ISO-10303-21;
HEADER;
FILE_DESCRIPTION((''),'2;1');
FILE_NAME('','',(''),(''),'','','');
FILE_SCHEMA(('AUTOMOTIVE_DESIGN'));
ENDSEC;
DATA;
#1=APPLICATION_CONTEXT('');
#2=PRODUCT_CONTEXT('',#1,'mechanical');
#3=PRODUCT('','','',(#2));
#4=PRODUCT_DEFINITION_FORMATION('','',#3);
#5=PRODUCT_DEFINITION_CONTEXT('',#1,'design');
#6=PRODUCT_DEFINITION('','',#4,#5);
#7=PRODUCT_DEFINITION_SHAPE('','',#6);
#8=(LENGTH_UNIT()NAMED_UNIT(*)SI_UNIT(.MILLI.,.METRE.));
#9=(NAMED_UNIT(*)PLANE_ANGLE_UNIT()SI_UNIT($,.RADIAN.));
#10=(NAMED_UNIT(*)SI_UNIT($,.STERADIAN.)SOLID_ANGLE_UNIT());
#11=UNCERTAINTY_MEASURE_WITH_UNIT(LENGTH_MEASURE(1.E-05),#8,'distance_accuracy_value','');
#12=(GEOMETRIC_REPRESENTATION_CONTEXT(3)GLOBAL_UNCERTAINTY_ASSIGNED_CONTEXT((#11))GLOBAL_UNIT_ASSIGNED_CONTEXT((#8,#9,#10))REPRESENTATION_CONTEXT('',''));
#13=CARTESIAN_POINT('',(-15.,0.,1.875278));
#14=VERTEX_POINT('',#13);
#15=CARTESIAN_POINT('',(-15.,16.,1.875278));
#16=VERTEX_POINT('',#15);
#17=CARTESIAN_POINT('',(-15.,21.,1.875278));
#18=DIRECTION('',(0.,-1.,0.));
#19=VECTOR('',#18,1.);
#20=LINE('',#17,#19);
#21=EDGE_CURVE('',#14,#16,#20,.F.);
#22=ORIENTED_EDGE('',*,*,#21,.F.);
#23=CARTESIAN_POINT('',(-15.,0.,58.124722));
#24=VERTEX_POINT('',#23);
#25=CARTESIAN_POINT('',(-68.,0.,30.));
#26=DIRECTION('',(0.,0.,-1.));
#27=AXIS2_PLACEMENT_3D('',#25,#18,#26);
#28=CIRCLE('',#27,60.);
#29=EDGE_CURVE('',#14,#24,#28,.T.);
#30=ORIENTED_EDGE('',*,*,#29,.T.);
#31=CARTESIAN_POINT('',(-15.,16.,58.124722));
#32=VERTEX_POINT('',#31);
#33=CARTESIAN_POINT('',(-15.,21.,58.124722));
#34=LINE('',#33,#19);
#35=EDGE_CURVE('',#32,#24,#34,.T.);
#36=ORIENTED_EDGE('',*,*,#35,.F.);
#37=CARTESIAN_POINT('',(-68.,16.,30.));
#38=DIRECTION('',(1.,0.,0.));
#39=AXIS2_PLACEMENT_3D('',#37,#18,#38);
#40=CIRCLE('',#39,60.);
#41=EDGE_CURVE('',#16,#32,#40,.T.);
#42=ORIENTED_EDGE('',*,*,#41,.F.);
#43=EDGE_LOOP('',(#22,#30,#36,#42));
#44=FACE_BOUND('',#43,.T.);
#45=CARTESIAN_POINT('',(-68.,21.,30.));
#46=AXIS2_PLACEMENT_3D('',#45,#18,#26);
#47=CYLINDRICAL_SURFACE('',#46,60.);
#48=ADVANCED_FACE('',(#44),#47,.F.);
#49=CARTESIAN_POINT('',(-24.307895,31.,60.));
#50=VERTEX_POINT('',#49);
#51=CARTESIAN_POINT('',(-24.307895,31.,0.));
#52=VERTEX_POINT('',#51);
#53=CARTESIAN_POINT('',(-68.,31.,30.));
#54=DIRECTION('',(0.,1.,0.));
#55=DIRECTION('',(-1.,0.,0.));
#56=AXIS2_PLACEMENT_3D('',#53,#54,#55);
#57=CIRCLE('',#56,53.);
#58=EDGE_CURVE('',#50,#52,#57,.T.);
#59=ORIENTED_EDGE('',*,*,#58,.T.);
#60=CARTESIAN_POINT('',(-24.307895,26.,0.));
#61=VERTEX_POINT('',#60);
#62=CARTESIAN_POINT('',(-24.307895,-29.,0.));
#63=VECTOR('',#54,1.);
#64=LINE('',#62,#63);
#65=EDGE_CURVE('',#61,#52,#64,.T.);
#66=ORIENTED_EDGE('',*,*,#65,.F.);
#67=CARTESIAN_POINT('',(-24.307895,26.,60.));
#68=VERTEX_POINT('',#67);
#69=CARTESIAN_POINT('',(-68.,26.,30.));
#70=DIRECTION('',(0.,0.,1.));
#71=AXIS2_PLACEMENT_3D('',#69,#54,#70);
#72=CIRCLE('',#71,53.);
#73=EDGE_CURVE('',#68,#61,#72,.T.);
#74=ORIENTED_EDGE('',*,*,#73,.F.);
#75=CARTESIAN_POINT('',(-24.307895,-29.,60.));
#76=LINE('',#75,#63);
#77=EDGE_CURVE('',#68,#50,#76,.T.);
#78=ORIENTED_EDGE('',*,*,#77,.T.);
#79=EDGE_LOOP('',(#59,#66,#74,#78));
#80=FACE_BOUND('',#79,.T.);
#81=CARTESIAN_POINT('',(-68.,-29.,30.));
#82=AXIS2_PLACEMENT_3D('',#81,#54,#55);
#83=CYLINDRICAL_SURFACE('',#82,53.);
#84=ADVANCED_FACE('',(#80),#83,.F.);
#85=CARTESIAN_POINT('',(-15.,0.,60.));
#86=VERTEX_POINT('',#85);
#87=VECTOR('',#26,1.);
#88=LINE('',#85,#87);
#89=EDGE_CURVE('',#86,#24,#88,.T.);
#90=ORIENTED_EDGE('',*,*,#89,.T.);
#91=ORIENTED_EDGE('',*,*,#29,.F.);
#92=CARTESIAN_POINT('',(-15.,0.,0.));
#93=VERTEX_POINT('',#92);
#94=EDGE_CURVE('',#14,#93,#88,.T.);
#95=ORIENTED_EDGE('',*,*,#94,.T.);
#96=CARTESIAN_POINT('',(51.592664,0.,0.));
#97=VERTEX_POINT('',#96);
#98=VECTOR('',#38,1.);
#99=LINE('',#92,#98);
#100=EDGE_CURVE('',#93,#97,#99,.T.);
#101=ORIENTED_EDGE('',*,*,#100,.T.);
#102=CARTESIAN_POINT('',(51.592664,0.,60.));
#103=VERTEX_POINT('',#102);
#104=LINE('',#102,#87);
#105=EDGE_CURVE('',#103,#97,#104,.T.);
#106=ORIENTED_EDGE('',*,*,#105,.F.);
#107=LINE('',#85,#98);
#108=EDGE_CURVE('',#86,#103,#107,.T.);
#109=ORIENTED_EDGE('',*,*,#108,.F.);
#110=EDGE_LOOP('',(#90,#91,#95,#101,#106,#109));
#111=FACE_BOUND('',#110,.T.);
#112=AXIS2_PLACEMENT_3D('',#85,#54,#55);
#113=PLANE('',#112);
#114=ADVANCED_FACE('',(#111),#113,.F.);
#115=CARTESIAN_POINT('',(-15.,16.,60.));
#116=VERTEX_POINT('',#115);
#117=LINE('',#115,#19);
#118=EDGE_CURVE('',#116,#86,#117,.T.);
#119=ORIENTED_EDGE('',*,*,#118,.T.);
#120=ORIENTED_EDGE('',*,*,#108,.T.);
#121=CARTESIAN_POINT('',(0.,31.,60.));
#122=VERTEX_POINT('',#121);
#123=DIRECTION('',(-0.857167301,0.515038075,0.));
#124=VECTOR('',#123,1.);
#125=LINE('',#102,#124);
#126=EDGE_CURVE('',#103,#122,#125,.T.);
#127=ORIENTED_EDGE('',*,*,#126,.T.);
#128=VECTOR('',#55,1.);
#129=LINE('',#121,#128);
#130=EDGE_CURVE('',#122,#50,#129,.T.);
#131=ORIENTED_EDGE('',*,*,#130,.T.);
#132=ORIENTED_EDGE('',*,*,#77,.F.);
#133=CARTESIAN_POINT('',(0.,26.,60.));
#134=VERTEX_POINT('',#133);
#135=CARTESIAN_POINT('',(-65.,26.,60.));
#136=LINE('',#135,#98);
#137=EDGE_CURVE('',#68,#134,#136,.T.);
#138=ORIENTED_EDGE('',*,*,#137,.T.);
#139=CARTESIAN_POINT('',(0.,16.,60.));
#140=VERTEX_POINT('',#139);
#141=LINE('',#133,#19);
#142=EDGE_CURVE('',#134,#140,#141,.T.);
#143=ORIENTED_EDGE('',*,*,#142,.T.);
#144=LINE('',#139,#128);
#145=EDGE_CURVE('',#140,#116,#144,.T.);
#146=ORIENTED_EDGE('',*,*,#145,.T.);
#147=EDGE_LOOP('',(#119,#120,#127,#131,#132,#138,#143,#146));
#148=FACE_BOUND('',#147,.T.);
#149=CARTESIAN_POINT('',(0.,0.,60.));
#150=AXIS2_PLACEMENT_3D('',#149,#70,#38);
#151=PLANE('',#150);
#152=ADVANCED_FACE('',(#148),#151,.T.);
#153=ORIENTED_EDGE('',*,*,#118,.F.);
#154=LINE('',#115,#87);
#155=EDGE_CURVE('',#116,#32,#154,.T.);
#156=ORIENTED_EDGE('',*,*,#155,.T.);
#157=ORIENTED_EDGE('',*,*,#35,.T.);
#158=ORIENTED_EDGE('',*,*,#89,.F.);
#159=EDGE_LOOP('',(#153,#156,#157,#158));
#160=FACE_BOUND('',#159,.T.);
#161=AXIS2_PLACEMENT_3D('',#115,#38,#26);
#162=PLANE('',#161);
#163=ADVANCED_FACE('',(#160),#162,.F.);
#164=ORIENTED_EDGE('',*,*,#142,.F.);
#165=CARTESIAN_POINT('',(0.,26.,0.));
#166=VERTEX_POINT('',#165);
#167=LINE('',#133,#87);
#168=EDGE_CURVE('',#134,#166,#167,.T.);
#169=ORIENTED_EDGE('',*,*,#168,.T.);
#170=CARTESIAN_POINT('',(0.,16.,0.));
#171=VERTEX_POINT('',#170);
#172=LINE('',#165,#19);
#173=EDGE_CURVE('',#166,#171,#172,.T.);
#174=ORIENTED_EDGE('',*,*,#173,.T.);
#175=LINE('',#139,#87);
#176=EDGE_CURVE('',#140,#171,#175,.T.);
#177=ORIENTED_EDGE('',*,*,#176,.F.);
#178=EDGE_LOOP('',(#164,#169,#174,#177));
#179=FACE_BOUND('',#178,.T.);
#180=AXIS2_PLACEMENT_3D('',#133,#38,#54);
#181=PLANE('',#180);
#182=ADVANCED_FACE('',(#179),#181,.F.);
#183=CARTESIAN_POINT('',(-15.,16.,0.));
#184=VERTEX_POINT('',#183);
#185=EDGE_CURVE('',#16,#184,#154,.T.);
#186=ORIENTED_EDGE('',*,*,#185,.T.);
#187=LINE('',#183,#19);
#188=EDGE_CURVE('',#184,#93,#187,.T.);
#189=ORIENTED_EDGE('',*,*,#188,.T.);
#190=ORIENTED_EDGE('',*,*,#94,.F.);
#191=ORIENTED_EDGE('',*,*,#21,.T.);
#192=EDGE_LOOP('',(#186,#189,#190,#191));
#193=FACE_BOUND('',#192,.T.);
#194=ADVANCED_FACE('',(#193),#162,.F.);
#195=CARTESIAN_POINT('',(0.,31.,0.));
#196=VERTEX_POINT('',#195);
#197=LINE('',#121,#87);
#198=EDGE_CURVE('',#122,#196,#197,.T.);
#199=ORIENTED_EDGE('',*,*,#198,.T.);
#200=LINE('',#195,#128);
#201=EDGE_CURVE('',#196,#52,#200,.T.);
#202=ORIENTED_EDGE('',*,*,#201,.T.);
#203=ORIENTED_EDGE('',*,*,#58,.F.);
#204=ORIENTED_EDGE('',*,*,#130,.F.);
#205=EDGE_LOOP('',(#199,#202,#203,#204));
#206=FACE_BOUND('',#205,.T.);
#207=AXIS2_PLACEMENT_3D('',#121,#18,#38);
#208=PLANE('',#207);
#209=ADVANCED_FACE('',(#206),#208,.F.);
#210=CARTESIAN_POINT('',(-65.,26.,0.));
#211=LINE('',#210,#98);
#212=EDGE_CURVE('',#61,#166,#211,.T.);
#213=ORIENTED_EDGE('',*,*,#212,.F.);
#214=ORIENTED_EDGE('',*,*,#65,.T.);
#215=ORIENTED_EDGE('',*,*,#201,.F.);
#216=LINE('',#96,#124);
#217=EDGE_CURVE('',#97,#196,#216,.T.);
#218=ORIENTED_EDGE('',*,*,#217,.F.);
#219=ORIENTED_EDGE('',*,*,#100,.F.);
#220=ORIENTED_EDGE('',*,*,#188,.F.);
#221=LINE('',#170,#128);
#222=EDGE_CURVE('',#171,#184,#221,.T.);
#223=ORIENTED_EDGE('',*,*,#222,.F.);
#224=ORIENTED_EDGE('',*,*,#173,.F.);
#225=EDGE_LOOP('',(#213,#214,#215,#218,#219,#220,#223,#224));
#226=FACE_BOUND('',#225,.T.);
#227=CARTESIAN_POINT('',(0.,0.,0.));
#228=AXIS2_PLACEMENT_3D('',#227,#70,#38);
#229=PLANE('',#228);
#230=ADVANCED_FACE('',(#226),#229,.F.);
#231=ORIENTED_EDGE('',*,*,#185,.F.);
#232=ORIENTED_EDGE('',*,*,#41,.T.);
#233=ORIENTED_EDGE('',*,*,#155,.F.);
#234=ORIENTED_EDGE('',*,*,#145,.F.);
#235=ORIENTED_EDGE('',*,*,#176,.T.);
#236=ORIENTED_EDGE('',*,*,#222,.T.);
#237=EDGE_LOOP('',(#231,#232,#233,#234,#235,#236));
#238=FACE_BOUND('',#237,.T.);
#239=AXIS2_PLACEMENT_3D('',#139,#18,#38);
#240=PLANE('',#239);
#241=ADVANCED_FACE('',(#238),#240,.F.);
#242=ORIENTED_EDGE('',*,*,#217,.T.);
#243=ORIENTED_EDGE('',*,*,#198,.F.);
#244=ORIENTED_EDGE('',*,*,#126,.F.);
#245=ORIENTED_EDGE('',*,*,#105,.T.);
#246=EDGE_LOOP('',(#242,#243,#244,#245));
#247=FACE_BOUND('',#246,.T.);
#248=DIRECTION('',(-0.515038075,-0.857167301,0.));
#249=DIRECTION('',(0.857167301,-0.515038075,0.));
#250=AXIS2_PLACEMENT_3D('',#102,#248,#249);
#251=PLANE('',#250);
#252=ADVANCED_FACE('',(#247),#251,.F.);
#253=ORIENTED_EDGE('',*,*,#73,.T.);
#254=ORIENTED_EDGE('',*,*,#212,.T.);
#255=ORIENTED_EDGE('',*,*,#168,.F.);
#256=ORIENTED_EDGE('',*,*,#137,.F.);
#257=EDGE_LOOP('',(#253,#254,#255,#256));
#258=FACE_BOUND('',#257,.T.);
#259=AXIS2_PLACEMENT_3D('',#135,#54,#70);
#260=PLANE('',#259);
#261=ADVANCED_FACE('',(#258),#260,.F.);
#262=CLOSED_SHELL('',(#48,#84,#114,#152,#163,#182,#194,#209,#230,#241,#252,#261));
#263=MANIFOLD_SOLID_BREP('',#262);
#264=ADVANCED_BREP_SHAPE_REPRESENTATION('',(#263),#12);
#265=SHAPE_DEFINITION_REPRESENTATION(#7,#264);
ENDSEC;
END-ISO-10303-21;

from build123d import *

# Parameters (mm, degrees)
ESTRUSIONE_ESTRUSIONE1_DEPTH = 60
SCHIZZO2_R                   = 53
TAGLIO_ESTRUSIONE1_DEPTH     = 60
SCHIZZO3_R                   = 60
TAGLIO_ESTRUSIONE2_DEPTH     = 21


with BuildPart() as part:
    # Schizzo1 → Estrusione-Estrusione1 (new body)
    with BuildSketch(Plane.XY):
        Polygon((-65, 26), (0, 26), (0, 16), (-15, 16), (-15, 0), (51.592663953, 0), (0, 31), (-65, 31), align=None)
    extrude(amount=ESTRUSIONE_ESTRUSIONE1_DEPTH)

    # Schizzo2 → Taglio-Estrusione1 (cut)
    with BuildSketch(Plane(origin=(0, 31, 0), x_dir=(1, 0, 0), z_dir=(0, 1, 0))):
        with Locations((-68, -30)):
            Circle(SCHIZZO2_R)
    extrude(amount=-TAGLIO_ESTRUSIONE1_DEPTH, mode=Mode.SUBTRACT)

    # Schizzo3 → Taglio-Estrusione2 (cut)
    with BuildSketch(Plane.XZ):
        with Locations((-68, 30)):
            Circle(SCHIZZO3_R)
    extrude(amount=-TAGLIO_ESTRUSIONE2_DEPTH, mode=Mode.SUBTRACT)


solid = part.part
